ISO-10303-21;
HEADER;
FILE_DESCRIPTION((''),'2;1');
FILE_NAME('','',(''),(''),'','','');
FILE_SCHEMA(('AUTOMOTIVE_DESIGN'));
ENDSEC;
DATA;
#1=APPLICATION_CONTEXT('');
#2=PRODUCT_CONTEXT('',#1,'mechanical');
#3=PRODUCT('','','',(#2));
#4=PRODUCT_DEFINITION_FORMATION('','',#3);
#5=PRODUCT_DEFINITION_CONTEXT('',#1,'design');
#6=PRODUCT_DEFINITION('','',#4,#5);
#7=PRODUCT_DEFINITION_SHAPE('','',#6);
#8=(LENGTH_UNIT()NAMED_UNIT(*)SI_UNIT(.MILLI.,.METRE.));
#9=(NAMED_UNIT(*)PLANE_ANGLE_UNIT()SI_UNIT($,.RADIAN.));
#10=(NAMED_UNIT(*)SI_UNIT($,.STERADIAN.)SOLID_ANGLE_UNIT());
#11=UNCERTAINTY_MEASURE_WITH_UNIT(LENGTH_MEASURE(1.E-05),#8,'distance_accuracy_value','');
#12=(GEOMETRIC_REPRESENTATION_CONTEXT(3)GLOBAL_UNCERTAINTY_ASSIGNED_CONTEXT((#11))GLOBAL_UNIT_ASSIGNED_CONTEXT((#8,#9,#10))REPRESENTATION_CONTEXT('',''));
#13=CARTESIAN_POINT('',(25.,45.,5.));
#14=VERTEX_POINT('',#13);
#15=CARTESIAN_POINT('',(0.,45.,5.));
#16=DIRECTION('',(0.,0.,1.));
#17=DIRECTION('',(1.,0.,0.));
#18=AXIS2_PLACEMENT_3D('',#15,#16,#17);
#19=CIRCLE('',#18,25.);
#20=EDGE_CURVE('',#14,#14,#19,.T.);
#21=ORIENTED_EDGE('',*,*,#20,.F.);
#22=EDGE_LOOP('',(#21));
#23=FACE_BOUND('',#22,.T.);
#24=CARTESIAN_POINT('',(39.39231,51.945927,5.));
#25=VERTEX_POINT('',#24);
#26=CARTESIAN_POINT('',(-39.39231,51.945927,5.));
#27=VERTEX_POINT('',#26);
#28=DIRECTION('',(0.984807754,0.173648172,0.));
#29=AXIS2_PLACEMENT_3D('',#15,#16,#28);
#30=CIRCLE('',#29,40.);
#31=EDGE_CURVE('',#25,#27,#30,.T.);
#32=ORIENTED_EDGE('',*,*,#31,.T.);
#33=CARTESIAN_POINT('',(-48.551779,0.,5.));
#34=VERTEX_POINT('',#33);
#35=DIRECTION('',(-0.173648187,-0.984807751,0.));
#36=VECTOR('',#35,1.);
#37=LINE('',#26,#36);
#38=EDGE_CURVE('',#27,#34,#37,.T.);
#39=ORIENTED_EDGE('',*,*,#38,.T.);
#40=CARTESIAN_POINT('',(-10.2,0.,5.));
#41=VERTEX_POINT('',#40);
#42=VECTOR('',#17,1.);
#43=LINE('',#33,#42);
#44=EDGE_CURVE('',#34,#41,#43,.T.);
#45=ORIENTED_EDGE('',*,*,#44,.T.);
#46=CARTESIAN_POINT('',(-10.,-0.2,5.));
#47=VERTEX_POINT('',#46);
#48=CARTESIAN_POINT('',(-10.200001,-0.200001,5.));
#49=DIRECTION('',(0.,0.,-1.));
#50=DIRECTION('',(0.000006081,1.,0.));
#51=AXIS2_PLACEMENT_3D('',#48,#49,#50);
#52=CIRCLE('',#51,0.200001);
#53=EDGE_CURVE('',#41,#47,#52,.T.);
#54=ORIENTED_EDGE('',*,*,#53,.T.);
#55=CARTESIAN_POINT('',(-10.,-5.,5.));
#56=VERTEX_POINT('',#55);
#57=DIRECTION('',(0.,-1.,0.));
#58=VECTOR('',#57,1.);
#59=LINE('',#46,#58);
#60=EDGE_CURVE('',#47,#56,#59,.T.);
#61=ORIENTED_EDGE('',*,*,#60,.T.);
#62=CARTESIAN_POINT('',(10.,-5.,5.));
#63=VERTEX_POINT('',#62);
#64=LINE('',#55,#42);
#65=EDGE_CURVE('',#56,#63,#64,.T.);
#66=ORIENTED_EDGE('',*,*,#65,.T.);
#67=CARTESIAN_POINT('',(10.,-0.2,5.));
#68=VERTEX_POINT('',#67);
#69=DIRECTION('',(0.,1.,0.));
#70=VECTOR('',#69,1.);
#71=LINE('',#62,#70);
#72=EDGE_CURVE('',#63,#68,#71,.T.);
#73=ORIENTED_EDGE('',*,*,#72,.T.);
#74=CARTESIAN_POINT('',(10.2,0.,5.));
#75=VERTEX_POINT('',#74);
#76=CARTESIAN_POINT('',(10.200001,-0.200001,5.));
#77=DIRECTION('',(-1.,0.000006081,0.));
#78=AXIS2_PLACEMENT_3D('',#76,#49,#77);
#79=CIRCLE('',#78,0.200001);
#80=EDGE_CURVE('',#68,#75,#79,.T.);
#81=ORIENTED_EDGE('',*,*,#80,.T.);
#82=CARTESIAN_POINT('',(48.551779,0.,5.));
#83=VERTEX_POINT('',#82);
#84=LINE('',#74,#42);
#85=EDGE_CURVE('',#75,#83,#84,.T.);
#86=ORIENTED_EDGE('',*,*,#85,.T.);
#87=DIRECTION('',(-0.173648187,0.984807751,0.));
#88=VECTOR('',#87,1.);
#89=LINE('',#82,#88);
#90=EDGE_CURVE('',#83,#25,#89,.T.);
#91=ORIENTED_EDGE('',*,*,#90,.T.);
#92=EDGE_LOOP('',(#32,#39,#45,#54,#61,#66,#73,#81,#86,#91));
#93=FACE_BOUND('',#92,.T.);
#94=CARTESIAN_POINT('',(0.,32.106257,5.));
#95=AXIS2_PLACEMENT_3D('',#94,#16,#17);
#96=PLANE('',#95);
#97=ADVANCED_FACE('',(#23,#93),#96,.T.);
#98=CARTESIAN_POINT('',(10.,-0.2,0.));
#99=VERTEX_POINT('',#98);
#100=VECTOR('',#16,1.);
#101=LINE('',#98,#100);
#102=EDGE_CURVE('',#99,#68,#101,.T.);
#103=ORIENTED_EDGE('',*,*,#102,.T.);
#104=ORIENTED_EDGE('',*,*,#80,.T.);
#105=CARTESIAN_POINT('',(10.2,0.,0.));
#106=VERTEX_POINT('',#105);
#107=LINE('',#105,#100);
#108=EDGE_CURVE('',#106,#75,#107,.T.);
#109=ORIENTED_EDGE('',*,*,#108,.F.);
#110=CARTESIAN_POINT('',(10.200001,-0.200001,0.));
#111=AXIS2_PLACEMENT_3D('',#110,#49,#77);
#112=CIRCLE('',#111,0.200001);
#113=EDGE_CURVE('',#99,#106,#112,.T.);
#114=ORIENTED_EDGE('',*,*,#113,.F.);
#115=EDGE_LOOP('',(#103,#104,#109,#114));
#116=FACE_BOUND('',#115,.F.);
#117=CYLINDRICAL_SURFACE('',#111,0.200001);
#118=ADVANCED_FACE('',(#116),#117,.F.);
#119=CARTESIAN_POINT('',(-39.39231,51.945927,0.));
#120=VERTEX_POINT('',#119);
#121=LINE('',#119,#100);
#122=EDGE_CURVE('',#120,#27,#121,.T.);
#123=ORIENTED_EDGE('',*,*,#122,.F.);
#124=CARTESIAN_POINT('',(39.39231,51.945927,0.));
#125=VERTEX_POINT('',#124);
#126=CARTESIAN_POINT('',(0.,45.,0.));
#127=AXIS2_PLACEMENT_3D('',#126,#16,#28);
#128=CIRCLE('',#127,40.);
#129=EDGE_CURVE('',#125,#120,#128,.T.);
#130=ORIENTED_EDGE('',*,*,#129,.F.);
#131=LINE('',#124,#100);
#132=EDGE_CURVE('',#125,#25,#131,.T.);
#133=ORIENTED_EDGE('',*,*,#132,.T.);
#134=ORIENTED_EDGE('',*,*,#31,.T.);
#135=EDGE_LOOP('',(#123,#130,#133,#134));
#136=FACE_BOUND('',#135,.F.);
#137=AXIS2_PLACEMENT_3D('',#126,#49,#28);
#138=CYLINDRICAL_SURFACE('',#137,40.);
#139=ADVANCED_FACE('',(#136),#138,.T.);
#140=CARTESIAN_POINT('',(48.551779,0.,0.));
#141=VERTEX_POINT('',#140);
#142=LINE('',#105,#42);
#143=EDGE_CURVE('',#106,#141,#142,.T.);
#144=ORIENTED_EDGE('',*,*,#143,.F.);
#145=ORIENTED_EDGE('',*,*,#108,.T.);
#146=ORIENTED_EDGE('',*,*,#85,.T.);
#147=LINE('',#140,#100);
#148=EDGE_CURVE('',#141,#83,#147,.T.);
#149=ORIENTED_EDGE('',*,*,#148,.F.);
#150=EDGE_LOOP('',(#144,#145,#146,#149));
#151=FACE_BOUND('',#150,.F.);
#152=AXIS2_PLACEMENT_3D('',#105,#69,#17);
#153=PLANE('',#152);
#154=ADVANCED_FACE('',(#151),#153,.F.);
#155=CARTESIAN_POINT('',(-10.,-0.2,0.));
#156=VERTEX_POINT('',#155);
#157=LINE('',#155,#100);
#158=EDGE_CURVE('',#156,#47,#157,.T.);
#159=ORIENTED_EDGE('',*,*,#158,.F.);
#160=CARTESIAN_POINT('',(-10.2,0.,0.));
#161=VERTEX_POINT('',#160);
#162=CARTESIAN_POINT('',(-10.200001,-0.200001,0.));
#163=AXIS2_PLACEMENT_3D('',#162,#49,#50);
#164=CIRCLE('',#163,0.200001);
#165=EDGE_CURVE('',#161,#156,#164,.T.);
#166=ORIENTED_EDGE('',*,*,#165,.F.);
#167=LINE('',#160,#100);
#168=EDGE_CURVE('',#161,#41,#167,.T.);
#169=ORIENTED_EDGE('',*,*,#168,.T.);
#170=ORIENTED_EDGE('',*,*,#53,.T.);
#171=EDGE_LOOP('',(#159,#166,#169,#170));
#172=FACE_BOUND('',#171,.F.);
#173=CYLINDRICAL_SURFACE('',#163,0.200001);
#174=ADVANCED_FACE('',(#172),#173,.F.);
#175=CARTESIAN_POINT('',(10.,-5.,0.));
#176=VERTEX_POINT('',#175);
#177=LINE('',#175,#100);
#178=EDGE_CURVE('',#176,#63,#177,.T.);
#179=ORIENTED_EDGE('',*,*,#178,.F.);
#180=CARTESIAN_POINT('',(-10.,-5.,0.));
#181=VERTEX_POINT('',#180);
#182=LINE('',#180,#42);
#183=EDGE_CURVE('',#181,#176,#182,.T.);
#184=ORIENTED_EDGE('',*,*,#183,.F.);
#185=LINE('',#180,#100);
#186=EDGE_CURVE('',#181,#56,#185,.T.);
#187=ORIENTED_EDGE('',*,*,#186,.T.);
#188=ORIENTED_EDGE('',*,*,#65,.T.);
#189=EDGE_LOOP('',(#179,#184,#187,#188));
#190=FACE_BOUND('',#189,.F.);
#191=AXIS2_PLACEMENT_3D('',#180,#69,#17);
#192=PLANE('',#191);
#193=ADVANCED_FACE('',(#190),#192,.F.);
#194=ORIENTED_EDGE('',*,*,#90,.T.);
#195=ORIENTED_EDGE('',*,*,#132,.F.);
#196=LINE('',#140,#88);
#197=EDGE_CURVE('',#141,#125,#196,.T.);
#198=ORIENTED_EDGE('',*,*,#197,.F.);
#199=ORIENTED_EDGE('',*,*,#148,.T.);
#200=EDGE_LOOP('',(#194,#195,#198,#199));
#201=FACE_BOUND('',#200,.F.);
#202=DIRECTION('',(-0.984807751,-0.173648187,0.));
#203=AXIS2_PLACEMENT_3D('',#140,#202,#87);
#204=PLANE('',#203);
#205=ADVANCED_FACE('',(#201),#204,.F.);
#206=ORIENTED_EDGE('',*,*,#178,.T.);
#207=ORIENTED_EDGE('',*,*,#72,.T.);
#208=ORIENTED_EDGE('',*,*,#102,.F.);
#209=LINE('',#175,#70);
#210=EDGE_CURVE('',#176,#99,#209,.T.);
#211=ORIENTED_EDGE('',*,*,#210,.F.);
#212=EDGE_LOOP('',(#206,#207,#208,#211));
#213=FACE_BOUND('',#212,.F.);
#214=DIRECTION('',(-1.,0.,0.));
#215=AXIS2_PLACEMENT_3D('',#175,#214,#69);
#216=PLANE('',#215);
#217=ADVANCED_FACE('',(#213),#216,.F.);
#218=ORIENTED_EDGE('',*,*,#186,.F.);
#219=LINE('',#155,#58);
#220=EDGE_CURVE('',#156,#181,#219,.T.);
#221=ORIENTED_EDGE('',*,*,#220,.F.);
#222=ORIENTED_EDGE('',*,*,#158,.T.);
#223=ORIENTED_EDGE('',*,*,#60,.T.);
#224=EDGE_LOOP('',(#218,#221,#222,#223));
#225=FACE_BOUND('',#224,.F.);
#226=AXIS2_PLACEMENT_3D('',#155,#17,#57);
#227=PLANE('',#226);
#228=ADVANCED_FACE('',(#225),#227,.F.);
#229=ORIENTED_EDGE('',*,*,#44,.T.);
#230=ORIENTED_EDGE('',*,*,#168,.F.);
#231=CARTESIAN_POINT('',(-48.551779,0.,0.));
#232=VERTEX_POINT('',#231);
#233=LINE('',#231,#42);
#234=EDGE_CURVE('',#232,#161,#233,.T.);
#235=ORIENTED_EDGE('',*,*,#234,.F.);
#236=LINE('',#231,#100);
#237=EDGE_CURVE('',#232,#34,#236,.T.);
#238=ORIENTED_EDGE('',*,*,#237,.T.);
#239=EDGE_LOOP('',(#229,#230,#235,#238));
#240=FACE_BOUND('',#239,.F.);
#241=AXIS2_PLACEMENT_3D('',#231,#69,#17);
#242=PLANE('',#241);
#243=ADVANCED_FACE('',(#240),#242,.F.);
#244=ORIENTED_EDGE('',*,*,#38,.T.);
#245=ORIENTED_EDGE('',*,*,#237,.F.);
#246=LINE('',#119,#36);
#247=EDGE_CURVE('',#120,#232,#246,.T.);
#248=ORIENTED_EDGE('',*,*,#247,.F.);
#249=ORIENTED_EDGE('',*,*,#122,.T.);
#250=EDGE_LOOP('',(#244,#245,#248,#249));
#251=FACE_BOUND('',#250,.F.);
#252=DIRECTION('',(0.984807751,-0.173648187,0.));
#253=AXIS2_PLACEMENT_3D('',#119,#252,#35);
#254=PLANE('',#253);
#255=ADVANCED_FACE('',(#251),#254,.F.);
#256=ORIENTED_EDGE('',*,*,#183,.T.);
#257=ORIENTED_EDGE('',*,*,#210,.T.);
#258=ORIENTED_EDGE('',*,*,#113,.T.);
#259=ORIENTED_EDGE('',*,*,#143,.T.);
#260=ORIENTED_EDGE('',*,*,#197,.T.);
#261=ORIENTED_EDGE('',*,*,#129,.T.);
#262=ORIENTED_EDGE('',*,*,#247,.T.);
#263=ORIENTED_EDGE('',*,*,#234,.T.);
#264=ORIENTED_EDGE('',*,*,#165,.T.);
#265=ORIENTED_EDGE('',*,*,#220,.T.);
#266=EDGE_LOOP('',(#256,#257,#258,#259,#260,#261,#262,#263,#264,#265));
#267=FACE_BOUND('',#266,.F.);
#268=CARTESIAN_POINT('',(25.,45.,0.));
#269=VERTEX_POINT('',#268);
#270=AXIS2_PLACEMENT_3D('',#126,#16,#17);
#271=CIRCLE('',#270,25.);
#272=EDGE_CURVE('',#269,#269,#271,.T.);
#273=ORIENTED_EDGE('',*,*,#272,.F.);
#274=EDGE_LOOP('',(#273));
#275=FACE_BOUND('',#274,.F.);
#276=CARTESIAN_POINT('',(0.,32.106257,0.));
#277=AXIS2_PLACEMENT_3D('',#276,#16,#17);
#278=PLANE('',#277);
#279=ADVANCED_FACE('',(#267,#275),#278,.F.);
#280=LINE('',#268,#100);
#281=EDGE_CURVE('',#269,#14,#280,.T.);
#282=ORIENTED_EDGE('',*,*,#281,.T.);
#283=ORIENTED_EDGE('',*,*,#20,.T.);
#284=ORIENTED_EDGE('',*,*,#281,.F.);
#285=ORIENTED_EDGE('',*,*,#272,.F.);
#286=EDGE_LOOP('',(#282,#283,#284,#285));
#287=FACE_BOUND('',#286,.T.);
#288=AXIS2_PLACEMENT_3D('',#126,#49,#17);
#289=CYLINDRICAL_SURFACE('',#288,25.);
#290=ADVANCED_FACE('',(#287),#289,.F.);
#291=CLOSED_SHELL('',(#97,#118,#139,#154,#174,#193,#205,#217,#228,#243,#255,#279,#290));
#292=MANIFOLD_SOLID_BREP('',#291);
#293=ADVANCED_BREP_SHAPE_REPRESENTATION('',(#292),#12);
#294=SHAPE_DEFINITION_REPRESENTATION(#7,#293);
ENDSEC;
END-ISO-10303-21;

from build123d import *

# Parameters (mm, degrees)
F0_R     = 25
F1_DEPTH = 5


with BuildPart() as f1:
    # F0 (on Top) → F1 (new body)
    with BuildSketch(Plane.XY):
        with BuildLine():
            Line((-39.39231, 51.945927), (-48.551779, 0))
            Line((-48.551779, 0), (-10.2, 0))
            ThreePointArc((-10.2, 0), (-10.058579, -0.058579), (-10, -0.2))
            Line((-10, -0.2), (-10, -5))
            Line((-10, -5), (10, -5))
            Line((10, -5), (10, -0.2))
            ThreePointArc((10, -0.2), (10.058579, -0.058579), (10.2, 0))
            Line((10.2, 0), (48.551779, 0))
            Line((48.551779, 0), (39.39231, 51.945927))
            ThreePointArc((39.39231, 51.945927), (0, 85), (-39.39231, 51.945927))
        make_face()
        with Locations((0, 45)):
            Circle(F0_R, mode=Mode.SUBTRACT)
    extrude(amount=F1_DEPTH)


solid = f1.part
